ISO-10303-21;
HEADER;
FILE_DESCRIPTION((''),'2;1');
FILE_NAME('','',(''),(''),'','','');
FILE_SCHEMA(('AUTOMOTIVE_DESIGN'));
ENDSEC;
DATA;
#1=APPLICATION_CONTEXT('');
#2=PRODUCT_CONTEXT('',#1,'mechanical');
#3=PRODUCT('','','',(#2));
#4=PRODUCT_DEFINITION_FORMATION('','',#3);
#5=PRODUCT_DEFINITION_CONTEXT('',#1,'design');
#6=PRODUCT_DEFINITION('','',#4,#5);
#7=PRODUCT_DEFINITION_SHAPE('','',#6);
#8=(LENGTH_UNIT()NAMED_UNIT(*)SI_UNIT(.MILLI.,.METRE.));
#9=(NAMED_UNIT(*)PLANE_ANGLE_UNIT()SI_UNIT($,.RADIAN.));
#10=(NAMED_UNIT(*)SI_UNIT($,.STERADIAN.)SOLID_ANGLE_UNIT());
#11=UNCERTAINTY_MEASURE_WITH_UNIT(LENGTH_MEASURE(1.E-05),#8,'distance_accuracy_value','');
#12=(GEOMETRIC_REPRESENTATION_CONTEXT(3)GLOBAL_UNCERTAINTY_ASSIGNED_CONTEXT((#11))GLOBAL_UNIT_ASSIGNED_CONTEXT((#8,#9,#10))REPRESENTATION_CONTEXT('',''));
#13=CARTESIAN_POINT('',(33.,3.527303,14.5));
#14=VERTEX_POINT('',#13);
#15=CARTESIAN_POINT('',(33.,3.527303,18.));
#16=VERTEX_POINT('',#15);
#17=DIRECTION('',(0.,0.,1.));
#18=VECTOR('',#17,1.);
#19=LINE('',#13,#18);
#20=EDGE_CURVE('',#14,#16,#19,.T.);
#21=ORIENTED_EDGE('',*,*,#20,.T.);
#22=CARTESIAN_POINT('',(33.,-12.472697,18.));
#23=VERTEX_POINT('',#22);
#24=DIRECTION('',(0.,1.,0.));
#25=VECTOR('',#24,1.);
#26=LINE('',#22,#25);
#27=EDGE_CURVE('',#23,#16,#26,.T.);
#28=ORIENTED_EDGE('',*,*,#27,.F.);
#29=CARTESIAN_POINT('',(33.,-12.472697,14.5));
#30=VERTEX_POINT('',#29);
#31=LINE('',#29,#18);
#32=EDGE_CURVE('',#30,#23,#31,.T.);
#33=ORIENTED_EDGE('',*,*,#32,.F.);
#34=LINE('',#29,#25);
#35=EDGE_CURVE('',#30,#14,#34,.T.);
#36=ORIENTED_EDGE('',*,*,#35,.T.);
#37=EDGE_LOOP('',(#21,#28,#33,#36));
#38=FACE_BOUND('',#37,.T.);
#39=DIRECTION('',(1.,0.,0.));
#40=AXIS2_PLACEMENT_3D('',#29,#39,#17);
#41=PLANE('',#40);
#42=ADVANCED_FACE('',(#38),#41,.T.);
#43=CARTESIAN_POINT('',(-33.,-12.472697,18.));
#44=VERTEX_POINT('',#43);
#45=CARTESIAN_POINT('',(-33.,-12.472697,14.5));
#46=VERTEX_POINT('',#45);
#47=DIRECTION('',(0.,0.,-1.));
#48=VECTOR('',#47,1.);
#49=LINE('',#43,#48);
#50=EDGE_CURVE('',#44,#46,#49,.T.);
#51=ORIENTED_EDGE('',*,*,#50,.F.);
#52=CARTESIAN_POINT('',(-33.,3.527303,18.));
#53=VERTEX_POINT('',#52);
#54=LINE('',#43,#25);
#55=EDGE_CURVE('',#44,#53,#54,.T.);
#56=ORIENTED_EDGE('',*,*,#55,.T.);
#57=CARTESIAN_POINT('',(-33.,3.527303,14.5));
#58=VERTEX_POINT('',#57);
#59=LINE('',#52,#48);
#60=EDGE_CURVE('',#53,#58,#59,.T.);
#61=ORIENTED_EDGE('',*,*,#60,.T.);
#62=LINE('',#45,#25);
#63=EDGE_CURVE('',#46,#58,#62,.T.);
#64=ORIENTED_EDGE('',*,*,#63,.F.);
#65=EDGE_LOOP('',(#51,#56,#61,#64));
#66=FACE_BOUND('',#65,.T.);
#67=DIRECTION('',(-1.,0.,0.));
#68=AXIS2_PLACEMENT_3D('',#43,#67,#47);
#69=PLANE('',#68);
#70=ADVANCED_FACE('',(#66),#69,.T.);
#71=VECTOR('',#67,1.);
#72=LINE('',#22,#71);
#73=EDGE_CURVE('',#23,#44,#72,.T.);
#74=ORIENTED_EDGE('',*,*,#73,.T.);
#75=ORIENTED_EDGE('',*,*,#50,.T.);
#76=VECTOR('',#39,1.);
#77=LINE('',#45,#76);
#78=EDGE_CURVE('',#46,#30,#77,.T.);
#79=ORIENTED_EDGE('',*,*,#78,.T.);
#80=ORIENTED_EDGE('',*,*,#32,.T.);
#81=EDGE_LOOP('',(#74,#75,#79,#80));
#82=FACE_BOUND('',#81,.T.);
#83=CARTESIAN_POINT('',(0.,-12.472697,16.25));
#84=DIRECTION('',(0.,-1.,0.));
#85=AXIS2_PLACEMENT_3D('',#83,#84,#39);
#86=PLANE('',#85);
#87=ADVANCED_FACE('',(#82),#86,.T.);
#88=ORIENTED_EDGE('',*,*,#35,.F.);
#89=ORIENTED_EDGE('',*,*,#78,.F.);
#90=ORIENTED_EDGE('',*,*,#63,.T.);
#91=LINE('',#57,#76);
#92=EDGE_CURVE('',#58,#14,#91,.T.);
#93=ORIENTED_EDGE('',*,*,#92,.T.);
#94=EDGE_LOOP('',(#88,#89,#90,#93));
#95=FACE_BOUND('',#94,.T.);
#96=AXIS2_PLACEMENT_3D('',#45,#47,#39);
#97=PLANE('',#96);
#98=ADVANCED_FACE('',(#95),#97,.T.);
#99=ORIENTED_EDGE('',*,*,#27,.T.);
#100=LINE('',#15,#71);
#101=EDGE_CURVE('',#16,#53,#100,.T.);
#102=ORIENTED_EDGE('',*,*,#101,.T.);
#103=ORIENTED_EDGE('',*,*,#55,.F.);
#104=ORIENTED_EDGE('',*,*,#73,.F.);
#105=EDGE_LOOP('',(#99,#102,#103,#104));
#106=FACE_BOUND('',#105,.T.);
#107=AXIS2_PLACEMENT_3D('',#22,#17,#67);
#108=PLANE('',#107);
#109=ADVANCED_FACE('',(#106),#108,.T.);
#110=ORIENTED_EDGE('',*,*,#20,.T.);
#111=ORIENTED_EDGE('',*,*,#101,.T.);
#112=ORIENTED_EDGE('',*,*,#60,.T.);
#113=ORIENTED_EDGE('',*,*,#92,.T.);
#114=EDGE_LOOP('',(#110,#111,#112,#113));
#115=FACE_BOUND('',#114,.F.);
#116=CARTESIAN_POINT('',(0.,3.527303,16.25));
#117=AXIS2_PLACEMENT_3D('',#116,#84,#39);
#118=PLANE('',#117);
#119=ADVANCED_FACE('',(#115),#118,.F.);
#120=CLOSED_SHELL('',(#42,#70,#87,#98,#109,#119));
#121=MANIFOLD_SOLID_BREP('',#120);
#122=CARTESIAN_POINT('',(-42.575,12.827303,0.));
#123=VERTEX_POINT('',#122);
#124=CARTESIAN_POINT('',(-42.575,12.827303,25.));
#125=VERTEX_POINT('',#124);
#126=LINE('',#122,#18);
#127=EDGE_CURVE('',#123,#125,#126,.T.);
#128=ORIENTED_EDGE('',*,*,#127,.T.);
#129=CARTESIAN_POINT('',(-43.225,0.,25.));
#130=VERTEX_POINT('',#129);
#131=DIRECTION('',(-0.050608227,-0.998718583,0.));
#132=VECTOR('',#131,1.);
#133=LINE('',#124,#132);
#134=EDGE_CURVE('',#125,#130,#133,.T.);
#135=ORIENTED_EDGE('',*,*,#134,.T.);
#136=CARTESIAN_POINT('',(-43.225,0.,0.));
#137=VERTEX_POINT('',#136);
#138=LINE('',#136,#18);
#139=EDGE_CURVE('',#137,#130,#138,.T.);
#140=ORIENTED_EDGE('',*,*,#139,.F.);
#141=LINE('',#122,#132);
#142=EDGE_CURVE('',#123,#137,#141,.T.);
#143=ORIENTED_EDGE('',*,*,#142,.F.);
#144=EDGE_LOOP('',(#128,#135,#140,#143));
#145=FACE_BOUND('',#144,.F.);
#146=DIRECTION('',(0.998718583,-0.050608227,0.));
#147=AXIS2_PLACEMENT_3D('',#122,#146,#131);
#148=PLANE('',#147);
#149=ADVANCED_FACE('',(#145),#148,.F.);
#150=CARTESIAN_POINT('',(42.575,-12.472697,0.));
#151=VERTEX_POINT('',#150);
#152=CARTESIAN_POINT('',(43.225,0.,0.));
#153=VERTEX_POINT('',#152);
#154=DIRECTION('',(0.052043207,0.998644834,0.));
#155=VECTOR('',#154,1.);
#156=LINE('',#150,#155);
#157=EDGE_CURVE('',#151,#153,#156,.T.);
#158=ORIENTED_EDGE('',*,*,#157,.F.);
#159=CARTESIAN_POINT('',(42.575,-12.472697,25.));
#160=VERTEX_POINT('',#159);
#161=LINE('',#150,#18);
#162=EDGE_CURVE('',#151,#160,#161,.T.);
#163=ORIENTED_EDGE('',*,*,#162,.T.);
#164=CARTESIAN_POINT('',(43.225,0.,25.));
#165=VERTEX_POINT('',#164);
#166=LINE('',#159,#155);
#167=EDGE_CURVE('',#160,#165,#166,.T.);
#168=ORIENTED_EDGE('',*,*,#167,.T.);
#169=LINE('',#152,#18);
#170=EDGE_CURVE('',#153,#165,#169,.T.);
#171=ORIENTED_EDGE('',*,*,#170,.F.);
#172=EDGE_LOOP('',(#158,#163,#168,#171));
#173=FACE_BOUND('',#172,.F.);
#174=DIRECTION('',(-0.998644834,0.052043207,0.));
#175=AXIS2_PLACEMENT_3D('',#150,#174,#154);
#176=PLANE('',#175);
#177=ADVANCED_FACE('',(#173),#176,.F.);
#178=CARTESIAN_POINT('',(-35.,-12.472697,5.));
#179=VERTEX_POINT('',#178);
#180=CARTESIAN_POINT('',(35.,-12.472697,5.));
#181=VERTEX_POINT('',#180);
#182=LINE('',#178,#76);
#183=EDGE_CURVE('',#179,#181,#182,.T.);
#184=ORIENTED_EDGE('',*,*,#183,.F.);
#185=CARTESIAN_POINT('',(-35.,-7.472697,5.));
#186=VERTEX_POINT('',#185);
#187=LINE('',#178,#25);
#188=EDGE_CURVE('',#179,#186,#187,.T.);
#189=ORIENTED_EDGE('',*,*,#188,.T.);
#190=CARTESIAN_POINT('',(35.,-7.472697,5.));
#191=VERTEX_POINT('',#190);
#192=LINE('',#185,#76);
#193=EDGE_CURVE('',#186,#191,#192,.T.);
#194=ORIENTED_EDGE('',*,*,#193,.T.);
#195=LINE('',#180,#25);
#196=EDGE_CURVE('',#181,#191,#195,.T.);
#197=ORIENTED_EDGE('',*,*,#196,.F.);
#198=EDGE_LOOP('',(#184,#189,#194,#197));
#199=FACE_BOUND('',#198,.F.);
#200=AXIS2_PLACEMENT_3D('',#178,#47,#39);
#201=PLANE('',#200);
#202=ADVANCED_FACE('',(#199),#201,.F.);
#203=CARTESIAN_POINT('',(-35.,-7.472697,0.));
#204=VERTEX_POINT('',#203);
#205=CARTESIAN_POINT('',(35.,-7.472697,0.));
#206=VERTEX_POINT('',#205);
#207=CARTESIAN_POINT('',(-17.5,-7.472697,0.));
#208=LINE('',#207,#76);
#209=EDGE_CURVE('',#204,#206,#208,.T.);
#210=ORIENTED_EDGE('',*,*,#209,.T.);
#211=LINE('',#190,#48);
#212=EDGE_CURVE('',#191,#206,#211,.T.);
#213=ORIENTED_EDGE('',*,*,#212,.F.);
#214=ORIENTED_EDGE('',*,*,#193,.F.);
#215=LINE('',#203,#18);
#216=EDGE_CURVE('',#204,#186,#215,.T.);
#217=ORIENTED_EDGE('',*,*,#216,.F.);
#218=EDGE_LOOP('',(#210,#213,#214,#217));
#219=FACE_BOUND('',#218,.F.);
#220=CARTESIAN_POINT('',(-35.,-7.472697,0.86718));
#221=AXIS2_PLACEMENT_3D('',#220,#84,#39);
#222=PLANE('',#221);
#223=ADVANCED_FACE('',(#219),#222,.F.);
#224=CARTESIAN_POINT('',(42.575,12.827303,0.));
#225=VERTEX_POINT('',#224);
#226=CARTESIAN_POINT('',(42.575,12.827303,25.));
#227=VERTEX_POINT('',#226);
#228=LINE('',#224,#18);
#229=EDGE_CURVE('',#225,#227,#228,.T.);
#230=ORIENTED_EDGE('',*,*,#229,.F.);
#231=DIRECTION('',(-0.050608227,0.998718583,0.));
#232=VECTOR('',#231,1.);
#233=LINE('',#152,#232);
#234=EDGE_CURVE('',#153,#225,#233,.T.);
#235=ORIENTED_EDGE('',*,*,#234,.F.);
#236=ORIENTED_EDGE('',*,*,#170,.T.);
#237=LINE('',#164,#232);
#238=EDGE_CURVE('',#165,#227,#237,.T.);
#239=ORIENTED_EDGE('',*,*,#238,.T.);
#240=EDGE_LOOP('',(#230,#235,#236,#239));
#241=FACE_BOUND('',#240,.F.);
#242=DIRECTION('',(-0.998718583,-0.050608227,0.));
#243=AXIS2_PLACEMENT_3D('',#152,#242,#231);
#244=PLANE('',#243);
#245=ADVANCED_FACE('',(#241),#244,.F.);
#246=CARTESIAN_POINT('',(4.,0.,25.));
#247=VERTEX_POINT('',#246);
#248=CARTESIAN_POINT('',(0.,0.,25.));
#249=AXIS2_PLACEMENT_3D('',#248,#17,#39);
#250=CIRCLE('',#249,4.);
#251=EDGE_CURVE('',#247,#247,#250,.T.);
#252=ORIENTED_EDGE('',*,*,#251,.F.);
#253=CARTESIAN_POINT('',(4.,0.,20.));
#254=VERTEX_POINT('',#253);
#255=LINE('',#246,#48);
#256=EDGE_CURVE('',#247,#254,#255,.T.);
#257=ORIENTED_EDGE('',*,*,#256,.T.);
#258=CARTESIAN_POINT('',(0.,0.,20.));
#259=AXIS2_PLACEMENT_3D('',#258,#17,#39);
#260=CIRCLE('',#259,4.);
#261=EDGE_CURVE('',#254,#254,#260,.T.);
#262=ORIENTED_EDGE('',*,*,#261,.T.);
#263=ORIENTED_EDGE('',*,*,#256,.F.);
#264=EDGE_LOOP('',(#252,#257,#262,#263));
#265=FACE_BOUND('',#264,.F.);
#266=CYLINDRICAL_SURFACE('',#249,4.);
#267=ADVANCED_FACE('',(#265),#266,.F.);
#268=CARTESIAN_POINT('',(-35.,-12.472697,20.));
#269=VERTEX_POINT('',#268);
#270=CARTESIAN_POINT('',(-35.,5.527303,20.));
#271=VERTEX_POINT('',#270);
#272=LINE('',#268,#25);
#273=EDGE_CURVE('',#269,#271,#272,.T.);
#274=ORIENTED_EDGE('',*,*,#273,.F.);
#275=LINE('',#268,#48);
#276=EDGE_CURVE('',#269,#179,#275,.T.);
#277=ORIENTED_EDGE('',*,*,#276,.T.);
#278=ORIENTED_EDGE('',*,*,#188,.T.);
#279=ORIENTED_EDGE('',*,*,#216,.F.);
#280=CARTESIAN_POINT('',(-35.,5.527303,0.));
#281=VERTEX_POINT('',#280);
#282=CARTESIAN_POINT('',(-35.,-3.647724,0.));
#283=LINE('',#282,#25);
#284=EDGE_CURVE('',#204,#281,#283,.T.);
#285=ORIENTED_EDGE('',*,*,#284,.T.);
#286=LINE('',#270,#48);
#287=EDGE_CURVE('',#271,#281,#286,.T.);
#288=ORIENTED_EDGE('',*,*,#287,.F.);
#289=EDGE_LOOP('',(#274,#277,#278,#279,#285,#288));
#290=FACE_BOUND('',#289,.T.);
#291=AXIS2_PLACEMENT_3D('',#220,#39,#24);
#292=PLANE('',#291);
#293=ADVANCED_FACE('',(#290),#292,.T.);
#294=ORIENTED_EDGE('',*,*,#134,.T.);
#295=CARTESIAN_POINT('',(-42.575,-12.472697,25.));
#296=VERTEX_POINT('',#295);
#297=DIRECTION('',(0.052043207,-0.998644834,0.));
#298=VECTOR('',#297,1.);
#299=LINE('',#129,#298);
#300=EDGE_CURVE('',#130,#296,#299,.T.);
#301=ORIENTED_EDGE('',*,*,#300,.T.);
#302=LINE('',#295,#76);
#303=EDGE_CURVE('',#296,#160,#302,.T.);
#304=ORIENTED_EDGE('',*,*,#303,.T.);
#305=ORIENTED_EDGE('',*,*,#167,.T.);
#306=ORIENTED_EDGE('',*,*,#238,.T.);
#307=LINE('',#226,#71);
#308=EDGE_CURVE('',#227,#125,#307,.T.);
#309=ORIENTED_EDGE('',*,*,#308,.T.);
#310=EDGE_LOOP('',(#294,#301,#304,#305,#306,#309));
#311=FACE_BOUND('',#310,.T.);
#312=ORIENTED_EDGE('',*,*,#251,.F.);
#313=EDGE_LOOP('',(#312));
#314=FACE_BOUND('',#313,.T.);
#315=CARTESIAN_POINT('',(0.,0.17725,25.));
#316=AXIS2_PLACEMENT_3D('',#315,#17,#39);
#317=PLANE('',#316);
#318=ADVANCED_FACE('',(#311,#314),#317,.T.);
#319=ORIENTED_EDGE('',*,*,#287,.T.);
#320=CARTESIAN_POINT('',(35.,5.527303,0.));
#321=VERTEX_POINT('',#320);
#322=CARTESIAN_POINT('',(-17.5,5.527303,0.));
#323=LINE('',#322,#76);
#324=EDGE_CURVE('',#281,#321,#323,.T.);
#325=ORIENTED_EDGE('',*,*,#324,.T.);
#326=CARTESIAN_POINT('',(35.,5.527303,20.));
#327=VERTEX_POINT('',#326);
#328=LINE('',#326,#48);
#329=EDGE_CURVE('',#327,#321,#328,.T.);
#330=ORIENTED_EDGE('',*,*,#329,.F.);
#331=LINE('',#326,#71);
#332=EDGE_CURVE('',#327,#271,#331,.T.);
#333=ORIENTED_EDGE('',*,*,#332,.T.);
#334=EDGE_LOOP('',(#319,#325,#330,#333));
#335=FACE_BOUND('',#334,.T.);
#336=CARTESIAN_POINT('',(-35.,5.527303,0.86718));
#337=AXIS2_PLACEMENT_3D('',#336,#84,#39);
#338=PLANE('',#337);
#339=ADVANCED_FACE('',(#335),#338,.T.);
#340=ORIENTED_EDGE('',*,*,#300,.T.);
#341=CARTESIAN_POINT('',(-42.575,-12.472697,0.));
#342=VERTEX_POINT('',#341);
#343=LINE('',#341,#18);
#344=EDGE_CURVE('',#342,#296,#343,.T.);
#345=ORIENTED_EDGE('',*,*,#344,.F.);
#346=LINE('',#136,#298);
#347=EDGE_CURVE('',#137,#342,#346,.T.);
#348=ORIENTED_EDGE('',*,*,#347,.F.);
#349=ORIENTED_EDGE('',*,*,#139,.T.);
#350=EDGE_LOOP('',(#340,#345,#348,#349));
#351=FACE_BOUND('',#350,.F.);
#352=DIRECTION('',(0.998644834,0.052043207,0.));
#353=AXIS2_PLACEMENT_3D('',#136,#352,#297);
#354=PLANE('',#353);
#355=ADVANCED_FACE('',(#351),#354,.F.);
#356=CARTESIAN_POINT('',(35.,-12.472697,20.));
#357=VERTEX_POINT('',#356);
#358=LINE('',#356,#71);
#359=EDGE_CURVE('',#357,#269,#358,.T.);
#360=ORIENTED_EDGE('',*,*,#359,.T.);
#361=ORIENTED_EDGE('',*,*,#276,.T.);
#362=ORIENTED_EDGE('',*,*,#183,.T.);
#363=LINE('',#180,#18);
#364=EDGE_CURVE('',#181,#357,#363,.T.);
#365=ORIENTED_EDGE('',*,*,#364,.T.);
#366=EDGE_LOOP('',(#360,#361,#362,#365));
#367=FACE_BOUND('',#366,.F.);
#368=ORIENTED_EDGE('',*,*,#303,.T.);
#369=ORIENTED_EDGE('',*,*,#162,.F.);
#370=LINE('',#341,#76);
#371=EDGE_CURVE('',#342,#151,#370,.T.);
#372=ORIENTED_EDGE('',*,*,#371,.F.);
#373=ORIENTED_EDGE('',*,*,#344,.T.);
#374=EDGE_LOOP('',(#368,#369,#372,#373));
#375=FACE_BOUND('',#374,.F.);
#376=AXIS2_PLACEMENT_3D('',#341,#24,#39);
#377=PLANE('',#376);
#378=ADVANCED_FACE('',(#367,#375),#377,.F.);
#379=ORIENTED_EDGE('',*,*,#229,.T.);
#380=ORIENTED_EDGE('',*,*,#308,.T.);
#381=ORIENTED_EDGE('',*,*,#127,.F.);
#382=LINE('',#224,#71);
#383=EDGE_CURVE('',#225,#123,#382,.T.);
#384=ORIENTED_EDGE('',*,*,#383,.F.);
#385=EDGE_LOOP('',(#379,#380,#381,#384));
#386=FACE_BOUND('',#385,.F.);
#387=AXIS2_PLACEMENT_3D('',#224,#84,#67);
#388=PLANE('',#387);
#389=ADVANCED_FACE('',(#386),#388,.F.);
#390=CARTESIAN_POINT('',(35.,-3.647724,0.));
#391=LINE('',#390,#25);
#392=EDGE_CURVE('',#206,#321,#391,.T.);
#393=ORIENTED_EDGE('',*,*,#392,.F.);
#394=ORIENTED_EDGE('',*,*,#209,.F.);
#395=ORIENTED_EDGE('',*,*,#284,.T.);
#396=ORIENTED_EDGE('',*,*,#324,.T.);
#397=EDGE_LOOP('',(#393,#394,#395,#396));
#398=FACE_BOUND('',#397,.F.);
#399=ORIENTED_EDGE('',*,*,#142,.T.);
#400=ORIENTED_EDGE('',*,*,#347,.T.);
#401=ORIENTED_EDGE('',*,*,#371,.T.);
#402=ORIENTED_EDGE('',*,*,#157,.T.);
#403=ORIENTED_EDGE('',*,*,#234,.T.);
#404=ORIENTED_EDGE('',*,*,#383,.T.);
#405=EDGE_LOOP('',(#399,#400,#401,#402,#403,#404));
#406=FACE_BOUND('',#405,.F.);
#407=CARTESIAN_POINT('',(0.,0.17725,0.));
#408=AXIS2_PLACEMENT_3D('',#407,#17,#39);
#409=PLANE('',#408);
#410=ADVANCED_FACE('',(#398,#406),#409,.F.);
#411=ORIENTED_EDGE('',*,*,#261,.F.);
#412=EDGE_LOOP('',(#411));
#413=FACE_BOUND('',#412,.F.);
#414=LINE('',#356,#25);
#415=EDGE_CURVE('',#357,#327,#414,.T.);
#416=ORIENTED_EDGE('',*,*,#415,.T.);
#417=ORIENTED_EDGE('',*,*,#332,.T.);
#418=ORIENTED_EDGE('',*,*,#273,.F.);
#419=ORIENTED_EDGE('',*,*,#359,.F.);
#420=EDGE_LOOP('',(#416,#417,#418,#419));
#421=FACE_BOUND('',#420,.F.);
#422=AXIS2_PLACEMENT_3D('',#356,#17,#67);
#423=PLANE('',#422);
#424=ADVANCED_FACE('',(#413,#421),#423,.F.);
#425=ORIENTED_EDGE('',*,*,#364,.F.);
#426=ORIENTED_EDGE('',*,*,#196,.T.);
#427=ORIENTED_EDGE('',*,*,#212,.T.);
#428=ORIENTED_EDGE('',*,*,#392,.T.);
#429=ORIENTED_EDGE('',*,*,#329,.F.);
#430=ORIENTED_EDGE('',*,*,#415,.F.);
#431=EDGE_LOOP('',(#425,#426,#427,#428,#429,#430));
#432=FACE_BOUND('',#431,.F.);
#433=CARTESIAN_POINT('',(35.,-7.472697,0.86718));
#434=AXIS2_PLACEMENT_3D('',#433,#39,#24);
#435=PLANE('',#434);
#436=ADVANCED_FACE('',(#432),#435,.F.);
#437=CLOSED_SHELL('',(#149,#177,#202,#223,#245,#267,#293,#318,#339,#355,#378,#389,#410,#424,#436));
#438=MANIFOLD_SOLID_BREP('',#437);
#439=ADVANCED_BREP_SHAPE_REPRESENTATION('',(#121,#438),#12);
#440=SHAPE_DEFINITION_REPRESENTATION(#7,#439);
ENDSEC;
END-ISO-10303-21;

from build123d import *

# Parameters (mm, degrees)
F1_DEPTH  = 25
F3_DEPTH  = 18
F5_DEPTH  = 4.13282
F6_R      = 4
F7_DEPTH  = 9
F8_W      = 70
F8_H      = 13
F9_DEPTH  = 25
F11_DEPTH = 16


with BuildPart() as f1:
    # F0 (on Top) → F1 (new body)
    with BuildSketch(Plane.XY):
        Polygon((42.575, 12.8273032203), (-42.575, 12.8273032203), (-43.225, 0), (-42.575, -12.4726967797), (42.575, -12.4726967797), (43.225, 0), align=None)
    extrude(amount=F1_DEPTH)

    # F2 (on face) → F3 (cut)
    with BuildSketch(Plane.XZ.offset(12.4726967797)):
        Polygon((35, 20), (0, 20), (-35, 20), (-35, 5), (35, 5), align=None)
    extrude(amount=-F3_DEPTH, mode=Mode.SUBTRACT)

    # F4 (on face) → F5 (cut)
    with BuildSketch(Plane.XY.offset(5)):
        Polygon((-35, -7.4726967797), (0, -7.4726967797), (35, -7.4726967797), (35, 5.5273032203), (-35, 5.5273032203), align=None)
    extrude(amount=-F5_DEPTH, mode=Mode.SUBTRACT)

    # F6 (on face) → F7 (cut)
    with BuildSketch(Plane.XY.offset(25)):
        Circle(F6_R)
    extrude(amount=-F7_DEPTH, mode=Mode.SUBTRACT)

    # F8 (on face) → F9 (cut)
    with BuildSketch(Plane.XY.offset(0.86718)):
        with Locations((0, -0.9726967797)):
            Rectangle(F8_W, F8_H)
    extrude(amount=-F9_DEPTH, mode=Mode.SUBTRACT)


with BuildPart() as f11:
    # F10 (on face) → F11 (new body)
    with BuildSketch(Plane.XZ.offset(12.4726967797)):
        Polygon((-33, 18), (-33, 14.5), (33, 14.5), (33, 16.4), (33, 18), align=None)
    extrude(amount=-F11_DEPTH)


solid = Compound([f1.part, f11.part])
